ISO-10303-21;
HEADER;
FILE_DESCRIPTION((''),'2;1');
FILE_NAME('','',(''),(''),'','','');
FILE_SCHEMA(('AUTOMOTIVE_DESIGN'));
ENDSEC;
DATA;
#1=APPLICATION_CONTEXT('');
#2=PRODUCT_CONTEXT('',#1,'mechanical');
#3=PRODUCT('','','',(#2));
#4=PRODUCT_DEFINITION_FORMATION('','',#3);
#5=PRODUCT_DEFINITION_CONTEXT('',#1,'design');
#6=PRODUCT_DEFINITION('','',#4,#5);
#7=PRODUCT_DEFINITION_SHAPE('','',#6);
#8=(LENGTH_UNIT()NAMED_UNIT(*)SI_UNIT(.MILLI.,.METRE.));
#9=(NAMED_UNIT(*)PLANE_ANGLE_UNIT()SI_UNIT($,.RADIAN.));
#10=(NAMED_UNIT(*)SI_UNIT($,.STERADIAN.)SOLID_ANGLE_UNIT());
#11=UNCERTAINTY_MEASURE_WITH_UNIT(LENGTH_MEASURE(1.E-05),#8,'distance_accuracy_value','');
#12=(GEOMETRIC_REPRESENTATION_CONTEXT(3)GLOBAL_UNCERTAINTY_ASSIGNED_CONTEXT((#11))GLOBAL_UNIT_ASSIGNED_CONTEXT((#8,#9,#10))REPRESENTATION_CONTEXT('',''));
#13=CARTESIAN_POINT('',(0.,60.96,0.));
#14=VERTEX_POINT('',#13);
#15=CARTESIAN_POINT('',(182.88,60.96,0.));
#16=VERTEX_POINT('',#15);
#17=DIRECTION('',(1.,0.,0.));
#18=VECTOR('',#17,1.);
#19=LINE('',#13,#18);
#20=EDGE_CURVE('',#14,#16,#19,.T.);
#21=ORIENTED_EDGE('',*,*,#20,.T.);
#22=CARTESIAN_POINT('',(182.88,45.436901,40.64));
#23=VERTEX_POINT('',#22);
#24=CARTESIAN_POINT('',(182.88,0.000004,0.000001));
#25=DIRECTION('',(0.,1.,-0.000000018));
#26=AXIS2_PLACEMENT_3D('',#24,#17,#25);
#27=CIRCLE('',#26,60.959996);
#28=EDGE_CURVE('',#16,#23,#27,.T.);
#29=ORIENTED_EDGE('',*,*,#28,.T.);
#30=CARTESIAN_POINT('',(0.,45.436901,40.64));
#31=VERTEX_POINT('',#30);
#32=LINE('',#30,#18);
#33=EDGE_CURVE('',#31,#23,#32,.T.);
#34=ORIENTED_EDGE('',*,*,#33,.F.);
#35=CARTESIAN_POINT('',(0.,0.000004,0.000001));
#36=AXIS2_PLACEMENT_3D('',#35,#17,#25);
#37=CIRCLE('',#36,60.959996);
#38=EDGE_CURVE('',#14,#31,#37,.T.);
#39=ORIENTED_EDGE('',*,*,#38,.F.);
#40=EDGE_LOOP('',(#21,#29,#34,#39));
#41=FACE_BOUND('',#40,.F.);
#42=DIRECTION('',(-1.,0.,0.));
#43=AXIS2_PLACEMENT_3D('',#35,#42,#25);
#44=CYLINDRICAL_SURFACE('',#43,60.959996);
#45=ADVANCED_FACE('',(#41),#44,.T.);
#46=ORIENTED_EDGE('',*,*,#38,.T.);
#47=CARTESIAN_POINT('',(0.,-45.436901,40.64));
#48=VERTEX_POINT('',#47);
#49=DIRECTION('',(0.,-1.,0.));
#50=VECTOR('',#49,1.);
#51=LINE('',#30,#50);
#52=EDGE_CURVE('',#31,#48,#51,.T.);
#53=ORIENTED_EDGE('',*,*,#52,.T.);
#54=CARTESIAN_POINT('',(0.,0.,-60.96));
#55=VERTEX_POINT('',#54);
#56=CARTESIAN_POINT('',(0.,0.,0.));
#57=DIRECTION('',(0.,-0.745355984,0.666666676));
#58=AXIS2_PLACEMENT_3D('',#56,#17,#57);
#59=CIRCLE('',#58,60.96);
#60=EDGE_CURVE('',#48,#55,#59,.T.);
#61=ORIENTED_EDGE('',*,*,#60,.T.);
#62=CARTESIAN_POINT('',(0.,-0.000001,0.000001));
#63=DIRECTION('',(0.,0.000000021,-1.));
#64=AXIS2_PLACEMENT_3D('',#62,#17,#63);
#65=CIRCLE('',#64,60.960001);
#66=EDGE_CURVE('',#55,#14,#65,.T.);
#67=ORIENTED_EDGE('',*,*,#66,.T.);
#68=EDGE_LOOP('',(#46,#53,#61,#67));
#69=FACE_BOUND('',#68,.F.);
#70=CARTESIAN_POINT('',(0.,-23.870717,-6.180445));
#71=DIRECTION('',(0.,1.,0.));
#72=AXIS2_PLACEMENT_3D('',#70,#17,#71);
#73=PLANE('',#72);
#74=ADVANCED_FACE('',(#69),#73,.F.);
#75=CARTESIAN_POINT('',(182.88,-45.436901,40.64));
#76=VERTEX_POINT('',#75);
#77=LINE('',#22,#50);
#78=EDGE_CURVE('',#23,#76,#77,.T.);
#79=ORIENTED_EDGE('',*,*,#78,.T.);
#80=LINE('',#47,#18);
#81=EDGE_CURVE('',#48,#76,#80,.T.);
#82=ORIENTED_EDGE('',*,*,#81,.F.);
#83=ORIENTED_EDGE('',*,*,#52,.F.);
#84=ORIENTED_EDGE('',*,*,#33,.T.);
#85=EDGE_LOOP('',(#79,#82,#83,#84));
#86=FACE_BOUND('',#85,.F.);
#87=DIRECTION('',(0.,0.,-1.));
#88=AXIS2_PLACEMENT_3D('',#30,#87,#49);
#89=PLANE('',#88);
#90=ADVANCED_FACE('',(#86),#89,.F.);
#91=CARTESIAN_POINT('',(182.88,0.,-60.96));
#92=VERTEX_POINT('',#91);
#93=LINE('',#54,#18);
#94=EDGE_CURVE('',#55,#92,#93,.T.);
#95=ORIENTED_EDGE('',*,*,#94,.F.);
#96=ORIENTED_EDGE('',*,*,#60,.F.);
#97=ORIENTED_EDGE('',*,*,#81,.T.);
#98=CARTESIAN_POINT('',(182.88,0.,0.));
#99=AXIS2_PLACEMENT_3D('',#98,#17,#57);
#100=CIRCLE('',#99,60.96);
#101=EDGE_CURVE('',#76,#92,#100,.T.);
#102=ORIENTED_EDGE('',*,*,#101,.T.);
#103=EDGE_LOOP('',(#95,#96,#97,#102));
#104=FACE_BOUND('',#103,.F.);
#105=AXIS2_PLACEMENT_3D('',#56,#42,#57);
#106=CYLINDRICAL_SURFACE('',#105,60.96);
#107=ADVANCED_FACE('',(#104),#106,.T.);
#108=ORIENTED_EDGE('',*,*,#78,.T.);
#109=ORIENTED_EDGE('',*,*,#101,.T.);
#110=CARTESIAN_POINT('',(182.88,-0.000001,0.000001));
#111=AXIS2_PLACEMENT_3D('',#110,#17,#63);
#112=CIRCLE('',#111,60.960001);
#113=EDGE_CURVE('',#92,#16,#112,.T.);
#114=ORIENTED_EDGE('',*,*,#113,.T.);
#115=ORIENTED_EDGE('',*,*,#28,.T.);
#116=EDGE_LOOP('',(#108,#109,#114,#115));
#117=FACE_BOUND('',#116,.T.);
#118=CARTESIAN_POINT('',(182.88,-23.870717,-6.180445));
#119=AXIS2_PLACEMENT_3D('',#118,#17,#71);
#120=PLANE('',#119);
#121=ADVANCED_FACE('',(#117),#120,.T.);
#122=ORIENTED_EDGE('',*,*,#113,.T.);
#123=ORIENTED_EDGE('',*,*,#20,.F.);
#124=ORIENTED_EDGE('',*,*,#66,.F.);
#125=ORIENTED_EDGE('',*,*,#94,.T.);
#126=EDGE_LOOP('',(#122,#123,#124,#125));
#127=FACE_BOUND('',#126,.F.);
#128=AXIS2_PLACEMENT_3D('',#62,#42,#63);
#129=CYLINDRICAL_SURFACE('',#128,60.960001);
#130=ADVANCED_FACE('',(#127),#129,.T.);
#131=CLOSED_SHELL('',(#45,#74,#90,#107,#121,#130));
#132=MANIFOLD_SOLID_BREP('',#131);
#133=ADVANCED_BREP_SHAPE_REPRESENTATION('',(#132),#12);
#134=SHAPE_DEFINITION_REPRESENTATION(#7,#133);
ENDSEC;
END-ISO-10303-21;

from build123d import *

# Parameters (mm, degrees)
F1_DEPTH = 182.88


with BuildPart() as f1:
    # F0 (on Right) → F1 (new body)
    with BuildSketch(Plane.YZ):
        with BuildLine():
            ThreePointArc((-45.436901, 40.64), (-55.648612, -24.886816), (0, -60.96))
            Line((0, -60.96), (0, 40.64))
            Line((0, 40.64), (-45.436901, 40.64))
        make_face()
        with BuildLine():
            ThreePointArc((0, -60.96), (43.105229, -43.105229), (60.96, 0))
            ThreePointArc((60.96, 0), (56.947147, 21.751875), (45.436901, 40.64))
            Line((45.436901, 40.64), (0, 40.64))
            Line((0, 40.64), (0, -60.96))
        make_face()
    extrude(amount=F1_DEPTH)


solid = f1.part
